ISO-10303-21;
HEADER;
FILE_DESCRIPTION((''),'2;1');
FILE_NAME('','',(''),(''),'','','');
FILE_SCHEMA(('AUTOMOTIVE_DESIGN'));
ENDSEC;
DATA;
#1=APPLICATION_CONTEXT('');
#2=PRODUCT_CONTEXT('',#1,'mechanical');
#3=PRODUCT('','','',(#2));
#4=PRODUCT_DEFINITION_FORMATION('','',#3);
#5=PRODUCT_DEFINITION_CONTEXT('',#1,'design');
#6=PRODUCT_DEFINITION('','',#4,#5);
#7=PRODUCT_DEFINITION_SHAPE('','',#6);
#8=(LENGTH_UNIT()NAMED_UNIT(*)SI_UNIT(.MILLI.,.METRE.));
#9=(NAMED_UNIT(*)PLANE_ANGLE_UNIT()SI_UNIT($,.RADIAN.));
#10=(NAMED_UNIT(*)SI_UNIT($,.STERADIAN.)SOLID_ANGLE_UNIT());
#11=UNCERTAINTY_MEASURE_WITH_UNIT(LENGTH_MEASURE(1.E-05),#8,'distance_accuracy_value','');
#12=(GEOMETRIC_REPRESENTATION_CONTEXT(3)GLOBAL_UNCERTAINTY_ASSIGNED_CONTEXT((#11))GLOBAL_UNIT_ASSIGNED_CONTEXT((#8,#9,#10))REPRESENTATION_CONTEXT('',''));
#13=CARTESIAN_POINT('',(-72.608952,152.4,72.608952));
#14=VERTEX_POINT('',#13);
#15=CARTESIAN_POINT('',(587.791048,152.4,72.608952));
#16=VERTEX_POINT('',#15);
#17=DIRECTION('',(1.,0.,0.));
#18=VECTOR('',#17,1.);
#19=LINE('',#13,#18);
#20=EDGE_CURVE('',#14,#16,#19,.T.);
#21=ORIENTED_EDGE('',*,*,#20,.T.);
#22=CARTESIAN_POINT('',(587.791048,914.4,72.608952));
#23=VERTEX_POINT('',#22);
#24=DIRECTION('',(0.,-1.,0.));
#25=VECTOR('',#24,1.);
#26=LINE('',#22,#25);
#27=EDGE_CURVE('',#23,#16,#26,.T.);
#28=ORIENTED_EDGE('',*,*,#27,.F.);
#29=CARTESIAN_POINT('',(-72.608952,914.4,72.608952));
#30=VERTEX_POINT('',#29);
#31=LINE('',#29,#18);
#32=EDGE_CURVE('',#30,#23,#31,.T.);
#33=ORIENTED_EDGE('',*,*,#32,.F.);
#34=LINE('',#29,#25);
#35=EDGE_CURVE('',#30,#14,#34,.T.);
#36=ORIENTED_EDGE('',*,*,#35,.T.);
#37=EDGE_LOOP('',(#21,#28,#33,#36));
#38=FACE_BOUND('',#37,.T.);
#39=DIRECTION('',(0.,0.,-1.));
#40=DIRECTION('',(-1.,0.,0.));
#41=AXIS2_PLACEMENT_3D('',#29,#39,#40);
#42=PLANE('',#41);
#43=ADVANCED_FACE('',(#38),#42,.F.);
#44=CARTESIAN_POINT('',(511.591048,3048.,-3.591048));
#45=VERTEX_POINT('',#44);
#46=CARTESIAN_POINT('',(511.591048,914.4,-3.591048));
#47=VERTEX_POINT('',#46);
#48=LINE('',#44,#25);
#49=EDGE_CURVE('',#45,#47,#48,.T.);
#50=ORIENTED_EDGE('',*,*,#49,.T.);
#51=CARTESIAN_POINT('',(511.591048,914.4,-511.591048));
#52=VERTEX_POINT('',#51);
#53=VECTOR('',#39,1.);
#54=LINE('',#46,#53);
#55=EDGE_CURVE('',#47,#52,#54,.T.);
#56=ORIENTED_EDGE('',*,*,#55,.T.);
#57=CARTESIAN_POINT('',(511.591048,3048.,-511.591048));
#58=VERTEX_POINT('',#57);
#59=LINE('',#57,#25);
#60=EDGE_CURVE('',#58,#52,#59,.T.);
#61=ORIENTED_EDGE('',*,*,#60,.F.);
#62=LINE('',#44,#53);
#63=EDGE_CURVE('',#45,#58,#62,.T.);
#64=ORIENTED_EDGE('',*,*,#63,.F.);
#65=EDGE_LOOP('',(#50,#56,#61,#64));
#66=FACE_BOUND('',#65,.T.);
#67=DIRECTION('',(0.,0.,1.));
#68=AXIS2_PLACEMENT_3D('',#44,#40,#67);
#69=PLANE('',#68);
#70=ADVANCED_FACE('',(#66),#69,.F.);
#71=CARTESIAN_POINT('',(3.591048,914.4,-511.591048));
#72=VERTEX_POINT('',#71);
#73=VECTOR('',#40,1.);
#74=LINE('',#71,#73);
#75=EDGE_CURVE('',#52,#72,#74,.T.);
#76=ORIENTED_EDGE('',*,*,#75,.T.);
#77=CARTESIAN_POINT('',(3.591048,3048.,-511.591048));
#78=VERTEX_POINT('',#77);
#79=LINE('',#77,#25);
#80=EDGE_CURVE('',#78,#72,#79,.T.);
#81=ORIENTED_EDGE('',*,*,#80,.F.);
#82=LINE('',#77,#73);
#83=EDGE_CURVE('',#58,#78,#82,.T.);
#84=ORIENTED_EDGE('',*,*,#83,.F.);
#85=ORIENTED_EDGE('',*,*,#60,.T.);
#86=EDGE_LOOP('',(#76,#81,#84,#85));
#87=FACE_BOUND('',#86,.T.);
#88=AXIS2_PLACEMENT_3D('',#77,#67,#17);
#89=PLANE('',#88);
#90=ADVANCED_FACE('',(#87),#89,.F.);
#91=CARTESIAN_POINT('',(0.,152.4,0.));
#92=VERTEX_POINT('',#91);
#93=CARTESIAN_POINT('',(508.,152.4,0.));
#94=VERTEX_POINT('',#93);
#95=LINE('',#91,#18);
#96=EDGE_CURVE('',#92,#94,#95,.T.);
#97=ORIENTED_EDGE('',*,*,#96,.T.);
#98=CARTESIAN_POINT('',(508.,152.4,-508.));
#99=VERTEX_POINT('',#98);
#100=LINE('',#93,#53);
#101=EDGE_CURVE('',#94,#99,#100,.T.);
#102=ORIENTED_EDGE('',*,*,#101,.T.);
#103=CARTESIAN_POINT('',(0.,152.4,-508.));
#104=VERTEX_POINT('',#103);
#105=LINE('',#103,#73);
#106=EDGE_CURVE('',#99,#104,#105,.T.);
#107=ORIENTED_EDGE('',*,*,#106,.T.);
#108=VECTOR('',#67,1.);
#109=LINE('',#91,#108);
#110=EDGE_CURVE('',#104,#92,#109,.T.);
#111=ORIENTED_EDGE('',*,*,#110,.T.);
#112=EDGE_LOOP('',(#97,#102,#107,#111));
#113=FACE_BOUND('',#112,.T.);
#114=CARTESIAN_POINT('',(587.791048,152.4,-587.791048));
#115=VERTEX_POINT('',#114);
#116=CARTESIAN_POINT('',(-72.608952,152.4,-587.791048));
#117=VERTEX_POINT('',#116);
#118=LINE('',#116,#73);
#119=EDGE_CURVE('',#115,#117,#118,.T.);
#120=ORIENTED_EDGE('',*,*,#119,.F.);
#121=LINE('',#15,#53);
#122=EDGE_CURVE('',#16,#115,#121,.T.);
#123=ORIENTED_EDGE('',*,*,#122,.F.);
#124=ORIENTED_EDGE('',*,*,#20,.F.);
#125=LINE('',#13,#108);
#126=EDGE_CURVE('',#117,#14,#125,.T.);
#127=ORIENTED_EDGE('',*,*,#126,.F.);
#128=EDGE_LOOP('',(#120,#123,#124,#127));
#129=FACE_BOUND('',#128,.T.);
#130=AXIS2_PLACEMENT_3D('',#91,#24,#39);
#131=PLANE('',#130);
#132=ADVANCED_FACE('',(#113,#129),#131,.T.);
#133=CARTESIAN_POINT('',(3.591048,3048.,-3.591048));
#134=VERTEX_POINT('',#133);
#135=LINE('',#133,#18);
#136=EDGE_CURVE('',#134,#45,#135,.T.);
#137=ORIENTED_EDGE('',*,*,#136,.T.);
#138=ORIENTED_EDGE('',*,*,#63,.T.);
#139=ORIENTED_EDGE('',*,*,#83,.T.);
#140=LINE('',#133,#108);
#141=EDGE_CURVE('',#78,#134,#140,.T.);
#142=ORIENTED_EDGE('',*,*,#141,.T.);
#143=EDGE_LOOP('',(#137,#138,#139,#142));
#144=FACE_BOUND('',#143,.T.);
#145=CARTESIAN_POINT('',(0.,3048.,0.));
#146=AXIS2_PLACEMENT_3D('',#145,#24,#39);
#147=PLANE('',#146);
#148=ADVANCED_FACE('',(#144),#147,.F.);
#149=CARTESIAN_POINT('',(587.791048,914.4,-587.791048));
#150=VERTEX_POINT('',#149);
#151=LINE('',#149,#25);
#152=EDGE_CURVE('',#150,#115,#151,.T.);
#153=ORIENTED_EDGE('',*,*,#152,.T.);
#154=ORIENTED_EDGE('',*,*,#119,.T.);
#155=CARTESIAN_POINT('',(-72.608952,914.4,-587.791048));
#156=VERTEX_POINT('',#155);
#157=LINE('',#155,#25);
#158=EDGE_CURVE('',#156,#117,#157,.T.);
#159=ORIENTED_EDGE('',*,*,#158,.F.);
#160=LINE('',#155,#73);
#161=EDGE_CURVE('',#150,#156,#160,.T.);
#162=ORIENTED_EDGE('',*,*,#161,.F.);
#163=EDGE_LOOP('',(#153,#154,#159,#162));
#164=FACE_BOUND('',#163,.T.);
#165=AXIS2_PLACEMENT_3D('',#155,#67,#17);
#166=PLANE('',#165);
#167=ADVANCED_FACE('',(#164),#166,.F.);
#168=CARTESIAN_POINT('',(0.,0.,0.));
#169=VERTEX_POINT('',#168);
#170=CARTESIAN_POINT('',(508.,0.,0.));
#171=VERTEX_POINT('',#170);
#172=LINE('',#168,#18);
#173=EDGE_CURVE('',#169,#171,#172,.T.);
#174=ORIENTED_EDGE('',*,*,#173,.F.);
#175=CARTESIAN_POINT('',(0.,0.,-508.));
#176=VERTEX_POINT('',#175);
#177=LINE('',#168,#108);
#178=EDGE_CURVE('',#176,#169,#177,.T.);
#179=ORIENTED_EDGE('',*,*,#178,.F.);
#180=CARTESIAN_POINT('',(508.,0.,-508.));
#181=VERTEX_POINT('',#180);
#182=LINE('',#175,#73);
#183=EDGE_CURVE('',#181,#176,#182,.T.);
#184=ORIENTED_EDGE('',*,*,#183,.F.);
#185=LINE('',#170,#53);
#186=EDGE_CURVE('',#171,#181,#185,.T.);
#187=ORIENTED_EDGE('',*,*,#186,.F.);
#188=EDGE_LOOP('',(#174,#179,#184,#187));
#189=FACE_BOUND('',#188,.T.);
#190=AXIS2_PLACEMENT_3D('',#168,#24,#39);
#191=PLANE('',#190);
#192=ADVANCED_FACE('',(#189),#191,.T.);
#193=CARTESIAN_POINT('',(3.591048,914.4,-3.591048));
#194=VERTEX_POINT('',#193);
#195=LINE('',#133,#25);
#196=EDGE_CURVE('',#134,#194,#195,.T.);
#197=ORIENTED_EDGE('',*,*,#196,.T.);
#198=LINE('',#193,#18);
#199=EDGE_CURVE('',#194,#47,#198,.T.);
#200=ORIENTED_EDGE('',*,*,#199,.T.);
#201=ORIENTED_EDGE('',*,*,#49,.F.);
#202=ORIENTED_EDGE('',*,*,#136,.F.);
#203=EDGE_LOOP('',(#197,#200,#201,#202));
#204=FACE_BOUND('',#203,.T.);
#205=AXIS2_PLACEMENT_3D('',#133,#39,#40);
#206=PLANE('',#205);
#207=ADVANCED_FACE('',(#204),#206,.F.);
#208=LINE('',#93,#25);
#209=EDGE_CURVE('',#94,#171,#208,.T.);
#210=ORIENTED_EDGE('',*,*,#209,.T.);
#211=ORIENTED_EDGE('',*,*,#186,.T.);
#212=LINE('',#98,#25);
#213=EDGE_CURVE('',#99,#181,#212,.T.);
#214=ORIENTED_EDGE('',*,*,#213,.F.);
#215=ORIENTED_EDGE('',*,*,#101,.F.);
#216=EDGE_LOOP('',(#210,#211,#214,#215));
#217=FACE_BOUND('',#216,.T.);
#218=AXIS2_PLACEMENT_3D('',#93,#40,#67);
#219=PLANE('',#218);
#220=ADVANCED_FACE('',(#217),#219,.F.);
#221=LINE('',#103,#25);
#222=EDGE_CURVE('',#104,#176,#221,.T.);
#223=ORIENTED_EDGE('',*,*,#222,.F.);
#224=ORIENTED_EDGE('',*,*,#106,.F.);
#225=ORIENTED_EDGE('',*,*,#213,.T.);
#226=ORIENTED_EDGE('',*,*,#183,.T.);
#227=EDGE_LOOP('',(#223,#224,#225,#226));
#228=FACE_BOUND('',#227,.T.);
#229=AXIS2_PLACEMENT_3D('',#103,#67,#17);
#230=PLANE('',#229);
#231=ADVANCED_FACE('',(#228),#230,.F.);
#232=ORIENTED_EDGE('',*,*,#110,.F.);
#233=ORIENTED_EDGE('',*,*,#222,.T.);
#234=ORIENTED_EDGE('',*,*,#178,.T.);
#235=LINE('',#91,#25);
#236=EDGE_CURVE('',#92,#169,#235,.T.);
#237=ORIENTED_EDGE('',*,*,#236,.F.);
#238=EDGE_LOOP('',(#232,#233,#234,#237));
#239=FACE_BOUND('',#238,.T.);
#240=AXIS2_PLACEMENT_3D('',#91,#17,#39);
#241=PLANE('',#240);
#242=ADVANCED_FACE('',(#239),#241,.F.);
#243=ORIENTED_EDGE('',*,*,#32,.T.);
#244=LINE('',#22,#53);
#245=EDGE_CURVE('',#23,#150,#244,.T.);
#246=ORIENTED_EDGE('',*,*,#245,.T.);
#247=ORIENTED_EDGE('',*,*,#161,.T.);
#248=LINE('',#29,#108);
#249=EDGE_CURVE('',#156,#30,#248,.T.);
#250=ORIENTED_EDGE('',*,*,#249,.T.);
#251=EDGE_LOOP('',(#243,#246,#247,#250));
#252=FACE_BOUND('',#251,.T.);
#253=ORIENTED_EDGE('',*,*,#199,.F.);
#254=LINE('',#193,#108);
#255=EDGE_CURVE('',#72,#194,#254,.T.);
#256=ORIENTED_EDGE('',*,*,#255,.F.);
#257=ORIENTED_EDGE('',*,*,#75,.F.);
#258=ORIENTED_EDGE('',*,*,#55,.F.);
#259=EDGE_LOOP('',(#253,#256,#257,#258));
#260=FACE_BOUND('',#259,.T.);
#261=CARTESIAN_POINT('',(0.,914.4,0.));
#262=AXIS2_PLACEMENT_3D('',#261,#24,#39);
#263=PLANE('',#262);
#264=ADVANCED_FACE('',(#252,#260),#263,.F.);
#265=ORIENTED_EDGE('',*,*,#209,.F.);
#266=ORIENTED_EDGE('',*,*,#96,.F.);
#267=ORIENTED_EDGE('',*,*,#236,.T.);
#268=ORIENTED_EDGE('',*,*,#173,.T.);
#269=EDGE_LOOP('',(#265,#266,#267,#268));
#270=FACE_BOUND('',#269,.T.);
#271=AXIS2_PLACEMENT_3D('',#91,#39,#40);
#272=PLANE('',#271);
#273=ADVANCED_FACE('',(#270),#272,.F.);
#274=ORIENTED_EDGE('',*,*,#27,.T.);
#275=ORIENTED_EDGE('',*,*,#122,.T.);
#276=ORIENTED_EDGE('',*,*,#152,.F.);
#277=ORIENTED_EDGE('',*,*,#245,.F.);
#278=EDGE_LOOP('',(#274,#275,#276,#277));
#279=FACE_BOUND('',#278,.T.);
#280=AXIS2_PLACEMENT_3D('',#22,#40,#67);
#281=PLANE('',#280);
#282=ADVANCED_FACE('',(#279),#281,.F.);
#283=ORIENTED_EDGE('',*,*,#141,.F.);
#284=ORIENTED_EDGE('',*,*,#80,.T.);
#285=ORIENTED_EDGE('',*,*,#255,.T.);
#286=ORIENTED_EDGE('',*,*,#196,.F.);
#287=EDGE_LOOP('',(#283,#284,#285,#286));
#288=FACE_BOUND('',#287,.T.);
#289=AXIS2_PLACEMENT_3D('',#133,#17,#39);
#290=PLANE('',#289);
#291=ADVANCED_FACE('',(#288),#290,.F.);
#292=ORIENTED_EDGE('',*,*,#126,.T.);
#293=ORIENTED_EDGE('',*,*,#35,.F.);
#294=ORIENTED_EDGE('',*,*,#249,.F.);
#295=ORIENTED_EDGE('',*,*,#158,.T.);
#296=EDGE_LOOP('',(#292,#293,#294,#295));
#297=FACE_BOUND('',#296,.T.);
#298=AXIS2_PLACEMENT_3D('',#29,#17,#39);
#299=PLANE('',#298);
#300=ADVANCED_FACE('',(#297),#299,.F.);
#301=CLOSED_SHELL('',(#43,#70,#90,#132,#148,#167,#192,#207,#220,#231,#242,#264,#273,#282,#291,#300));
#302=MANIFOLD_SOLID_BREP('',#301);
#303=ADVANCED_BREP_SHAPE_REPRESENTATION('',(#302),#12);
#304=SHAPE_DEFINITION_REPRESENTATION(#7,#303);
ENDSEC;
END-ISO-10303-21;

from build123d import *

# Parameters (mm, degrees)
SKETCH1_W           = 508
SKETCH1_H           = 508
BOSS_EXTRUDE1_DEPTH = 152.4
SKETCH2_W           = 660.4
SKETCH2_H           = 660.4
BOSS_EXTRUDE2_DEPTH = 762
SKETCH3_W           = 508
SKETCH3_H           = 508
BOSS_EXTRUDE3_DEPTH = 2133.6


with BuildPart() as part:
    # Sketch1 → Boss-Extrude1 (new body)
    with BuildSketch(Plane(origin=(0, 0, 0), x_dir=(1, 0, 0), z_dir=(0, 1, 0))):
        with Locations((254, 254)):
            Rectangle(SKETCH1_W, SKETCH1_H)
    extrude(amount=BOSS_EXTRUDE1_DEPTH)

    # Sketch2 → Boss-Extrude2 (add)
    with BuildSketch(Plane(origin=(0, 152.4, 0), x_dir=(1, 0, 0), z_dir=(0, 1, 0))):
        with Locations((257.591048246, 257.591048246)):
            Rectangle(SKETCH2_W, SKETCH2_H)
    extrude(amount=BOSS_EXTRUDE2_DEPTH)

    # Sketch3 → Boss-Extrude3 (add)
    with BuildSketch(Plane(origin=(0, 914.4, 0), x_dir=(1, 0, 0), z_dir=(0, 1, 0))):
        with Locations((257.591048246, 257.591048246)):
            Rectangle(SKETCH3_W, SKETCH3_H)
    extrude(amount=BOSS_EXTRUDE3_DEPTH)


solid = part.part
